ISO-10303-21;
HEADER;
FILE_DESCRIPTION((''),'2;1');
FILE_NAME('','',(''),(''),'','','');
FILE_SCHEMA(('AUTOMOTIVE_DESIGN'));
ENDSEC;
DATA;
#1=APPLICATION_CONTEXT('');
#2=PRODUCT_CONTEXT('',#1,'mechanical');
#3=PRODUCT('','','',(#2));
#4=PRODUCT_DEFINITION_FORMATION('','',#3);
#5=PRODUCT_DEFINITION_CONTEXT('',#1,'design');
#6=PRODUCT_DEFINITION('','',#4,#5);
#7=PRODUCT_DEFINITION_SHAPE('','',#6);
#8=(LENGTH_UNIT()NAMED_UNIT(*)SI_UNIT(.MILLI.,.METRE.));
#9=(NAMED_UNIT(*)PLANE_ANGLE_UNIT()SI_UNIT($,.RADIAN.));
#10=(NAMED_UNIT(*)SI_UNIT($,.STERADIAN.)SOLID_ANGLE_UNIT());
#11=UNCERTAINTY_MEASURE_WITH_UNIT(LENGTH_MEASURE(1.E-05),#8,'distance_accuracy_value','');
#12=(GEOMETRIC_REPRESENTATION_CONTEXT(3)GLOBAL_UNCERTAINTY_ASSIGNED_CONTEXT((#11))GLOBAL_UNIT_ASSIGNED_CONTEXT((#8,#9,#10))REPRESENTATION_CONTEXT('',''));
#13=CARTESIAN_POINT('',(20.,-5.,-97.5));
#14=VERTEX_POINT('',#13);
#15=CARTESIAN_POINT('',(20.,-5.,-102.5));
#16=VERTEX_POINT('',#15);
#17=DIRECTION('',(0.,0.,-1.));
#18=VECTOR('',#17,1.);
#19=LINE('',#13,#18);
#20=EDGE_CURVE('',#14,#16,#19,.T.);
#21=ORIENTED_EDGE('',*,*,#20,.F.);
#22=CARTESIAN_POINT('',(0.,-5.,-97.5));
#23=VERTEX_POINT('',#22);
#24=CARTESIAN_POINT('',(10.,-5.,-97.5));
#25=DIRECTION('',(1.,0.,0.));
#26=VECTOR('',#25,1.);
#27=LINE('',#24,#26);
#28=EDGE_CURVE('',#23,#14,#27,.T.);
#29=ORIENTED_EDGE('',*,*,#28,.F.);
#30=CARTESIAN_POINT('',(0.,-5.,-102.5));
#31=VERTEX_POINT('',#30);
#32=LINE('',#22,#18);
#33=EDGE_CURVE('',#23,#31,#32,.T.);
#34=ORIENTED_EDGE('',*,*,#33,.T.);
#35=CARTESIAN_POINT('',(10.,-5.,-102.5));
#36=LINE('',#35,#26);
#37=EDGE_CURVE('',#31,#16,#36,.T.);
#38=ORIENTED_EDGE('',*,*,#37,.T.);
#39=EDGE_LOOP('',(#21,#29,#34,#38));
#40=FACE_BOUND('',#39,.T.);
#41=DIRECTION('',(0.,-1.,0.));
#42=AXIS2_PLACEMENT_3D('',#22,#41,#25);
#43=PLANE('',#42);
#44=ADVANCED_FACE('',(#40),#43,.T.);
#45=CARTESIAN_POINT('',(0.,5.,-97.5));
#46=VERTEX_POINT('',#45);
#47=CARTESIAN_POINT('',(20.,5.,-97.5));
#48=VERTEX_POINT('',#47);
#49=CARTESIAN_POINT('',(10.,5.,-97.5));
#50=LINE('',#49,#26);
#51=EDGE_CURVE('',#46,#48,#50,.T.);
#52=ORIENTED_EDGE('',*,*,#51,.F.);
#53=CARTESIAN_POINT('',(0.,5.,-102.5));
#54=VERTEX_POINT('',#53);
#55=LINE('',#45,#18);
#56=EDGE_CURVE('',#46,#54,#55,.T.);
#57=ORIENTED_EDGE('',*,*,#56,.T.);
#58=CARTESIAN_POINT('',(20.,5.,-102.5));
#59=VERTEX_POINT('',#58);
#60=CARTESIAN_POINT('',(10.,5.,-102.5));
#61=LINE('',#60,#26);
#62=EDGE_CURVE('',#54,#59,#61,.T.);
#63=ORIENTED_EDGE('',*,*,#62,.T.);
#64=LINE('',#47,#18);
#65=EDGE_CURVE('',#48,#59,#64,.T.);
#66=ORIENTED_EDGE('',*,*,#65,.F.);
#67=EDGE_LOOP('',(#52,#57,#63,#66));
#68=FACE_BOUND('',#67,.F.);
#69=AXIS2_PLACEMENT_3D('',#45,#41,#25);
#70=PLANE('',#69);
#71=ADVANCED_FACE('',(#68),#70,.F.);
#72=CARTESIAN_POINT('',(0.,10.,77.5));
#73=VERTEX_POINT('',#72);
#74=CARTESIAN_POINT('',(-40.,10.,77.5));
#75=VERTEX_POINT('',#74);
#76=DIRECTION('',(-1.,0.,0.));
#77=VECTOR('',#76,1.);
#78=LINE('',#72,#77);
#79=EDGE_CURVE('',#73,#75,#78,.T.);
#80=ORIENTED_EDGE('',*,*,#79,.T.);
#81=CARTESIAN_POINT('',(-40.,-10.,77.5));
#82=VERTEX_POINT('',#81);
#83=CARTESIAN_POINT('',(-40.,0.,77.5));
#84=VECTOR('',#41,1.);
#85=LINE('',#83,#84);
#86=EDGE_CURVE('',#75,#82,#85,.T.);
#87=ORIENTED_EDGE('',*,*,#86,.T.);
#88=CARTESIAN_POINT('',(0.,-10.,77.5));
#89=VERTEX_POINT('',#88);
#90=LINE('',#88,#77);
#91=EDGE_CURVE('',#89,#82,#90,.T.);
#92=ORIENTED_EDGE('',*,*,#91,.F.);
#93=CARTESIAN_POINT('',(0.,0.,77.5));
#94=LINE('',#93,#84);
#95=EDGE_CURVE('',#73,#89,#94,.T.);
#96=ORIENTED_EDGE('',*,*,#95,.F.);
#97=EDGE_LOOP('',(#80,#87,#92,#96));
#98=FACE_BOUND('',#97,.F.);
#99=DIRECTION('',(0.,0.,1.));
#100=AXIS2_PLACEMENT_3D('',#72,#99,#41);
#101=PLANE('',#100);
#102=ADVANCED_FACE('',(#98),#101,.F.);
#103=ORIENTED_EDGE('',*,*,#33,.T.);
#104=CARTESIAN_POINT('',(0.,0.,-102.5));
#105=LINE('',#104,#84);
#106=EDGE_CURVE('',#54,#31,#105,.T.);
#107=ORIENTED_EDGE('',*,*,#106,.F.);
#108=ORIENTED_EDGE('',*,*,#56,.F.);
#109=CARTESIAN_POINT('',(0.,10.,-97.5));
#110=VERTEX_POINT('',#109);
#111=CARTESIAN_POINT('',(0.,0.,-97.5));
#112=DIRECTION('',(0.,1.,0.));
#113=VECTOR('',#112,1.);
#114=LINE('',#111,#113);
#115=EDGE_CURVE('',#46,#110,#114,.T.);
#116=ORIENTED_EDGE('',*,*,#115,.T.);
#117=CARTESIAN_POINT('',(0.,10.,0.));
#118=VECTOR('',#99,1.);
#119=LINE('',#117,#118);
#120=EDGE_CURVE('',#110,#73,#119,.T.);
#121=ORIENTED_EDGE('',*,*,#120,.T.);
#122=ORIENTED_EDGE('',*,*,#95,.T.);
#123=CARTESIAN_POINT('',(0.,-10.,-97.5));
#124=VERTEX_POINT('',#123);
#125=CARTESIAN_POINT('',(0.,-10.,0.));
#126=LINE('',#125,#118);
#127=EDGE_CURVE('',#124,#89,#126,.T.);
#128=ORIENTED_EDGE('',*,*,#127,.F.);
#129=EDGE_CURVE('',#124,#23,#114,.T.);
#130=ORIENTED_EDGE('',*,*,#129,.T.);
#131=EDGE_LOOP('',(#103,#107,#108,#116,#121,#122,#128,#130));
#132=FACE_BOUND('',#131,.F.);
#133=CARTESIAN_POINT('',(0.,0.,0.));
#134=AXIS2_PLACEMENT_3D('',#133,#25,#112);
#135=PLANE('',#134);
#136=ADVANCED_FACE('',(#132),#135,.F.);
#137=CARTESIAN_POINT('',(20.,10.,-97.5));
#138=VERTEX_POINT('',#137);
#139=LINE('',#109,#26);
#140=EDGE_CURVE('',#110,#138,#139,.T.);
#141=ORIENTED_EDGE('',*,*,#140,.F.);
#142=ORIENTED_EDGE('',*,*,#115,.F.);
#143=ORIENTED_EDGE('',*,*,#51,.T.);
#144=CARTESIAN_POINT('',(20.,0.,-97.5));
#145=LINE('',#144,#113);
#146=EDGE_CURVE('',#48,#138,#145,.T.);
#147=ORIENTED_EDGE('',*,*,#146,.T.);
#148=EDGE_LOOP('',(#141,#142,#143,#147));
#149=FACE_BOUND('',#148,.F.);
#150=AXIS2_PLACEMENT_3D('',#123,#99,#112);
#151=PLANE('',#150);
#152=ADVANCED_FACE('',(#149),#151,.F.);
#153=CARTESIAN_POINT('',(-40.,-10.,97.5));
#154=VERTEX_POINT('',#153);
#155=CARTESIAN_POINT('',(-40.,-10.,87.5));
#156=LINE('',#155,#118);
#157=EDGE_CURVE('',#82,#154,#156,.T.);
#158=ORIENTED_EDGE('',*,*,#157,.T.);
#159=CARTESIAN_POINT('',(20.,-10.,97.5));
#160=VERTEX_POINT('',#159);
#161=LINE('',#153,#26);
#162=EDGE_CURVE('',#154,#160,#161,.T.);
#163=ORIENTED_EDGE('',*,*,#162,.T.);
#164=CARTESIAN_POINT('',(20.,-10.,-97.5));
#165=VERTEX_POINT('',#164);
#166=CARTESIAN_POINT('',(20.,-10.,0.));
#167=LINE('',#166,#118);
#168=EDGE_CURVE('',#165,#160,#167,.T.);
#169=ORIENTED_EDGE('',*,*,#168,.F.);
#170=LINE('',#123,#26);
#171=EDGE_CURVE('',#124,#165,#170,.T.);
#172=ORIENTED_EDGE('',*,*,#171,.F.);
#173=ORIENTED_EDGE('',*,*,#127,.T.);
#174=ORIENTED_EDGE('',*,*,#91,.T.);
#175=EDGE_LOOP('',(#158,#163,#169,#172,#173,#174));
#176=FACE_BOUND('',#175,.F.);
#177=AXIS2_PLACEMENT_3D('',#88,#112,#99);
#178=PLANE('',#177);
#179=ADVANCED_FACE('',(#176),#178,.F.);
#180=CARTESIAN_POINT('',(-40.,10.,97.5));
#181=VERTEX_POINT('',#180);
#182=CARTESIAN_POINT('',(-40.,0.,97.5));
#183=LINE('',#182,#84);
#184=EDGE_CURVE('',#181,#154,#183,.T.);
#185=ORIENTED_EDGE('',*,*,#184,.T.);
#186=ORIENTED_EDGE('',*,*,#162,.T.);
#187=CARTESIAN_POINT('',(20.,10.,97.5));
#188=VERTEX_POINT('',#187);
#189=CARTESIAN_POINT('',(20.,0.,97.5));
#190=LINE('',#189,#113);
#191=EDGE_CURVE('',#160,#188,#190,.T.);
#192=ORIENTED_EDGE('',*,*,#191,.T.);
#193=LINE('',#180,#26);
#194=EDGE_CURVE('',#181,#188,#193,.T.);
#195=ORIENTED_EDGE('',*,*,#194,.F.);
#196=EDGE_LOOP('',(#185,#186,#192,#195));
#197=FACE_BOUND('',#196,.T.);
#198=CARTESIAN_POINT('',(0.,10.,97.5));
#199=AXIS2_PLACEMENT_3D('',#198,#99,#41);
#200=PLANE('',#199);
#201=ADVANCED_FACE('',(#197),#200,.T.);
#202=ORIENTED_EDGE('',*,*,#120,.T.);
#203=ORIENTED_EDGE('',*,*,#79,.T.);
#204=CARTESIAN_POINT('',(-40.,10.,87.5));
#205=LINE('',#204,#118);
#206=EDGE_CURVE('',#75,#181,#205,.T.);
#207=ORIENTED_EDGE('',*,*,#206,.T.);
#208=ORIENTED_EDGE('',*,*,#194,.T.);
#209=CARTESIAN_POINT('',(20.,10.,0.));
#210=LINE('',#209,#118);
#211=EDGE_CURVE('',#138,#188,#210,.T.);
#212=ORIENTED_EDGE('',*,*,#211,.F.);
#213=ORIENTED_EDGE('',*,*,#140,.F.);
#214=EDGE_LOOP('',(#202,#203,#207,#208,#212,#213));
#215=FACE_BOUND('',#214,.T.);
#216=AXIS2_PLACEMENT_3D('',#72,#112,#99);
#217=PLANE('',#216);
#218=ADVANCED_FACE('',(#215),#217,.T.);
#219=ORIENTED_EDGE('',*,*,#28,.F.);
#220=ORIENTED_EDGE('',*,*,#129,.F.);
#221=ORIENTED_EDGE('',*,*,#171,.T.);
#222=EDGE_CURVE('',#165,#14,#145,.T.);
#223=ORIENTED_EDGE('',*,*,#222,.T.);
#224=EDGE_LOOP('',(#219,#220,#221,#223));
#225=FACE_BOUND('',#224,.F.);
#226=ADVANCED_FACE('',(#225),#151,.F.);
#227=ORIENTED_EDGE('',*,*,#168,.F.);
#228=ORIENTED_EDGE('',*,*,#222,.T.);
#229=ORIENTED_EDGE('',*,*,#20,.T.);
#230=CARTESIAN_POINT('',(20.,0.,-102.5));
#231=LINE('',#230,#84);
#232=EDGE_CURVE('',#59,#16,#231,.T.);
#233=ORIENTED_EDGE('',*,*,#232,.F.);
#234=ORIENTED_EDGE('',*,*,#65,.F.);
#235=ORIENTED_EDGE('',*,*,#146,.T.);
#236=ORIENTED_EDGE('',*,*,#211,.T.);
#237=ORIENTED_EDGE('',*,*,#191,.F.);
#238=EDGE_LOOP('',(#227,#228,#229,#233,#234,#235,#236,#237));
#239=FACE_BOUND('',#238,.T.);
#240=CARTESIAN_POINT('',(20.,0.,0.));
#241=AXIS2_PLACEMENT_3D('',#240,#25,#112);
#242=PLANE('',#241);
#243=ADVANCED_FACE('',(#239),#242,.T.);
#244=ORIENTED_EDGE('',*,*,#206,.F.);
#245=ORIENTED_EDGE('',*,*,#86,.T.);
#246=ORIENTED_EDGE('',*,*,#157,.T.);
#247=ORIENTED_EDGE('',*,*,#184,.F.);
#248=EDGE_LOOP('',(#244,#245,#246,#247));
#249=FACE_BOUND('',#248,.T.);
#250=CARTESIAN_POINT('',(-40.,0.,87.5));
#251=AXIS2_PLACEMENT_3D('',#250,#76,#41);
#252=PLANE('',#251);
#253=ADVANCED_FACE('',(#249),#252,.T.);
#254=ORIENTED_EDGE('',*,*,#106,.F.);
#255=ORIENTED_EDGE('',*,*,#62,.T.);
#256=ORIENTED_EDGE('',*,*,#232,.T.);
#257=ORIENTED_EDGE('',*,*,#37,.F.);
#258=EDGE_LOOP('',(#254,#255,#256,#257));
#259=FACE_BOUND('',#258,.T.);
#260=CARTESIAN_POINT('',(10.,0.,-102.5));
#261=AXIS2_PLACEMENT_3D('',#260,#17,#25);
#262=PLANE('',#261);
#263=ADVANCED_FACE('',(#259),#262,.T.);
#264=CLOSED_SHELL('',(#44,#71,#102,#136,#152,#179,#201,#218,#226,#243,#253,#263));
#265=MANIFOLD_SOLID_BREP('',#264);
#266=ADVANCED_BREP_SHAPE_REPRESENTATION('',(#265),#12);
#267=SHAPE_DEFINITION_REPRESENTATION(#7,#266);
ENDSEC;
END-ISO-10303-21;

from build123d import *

# Parameters (mm, degrees)
F0_W     = 20
F0_H     = 195
F1_DEPTH = 20
F2_W     = 20
F2_H     = 10
F3_DEPTH = 5
F4_W     = 20
F4_H     = 20
F5_DEPTH = 40


with BuildPart() as f1:
    # F0 (on Right) → F1 (new body)
    with BuildSketch(Plane.YZ):
        Rectangle(F0_W, F0_H)
    extrude(amount=F1_DEPTH)

    # F2 (on face) → F3 (join)
    with BuildSketch(Plane(origin=(0, 0, -97.5), x_dir=(1, 0, 0), z_dir=(0, 0, -1))):
        with Locations((10, 0)):
            Rectangle(F2_W, F2_H)
    extrude(amount=F3_DEPTH)

    # F4 (on face) → F5 (join)
    with BuildSketch(Plane(origin=(0, 0, 0), x_dir=(0, -1, 0), z_dir=(-1, 0, 0))):
        with Locations((0, 87.5)):
            Rectangle(F4_W, F4_H)
    extrude(amount=F5_DEPTH)


solid = f1.part
